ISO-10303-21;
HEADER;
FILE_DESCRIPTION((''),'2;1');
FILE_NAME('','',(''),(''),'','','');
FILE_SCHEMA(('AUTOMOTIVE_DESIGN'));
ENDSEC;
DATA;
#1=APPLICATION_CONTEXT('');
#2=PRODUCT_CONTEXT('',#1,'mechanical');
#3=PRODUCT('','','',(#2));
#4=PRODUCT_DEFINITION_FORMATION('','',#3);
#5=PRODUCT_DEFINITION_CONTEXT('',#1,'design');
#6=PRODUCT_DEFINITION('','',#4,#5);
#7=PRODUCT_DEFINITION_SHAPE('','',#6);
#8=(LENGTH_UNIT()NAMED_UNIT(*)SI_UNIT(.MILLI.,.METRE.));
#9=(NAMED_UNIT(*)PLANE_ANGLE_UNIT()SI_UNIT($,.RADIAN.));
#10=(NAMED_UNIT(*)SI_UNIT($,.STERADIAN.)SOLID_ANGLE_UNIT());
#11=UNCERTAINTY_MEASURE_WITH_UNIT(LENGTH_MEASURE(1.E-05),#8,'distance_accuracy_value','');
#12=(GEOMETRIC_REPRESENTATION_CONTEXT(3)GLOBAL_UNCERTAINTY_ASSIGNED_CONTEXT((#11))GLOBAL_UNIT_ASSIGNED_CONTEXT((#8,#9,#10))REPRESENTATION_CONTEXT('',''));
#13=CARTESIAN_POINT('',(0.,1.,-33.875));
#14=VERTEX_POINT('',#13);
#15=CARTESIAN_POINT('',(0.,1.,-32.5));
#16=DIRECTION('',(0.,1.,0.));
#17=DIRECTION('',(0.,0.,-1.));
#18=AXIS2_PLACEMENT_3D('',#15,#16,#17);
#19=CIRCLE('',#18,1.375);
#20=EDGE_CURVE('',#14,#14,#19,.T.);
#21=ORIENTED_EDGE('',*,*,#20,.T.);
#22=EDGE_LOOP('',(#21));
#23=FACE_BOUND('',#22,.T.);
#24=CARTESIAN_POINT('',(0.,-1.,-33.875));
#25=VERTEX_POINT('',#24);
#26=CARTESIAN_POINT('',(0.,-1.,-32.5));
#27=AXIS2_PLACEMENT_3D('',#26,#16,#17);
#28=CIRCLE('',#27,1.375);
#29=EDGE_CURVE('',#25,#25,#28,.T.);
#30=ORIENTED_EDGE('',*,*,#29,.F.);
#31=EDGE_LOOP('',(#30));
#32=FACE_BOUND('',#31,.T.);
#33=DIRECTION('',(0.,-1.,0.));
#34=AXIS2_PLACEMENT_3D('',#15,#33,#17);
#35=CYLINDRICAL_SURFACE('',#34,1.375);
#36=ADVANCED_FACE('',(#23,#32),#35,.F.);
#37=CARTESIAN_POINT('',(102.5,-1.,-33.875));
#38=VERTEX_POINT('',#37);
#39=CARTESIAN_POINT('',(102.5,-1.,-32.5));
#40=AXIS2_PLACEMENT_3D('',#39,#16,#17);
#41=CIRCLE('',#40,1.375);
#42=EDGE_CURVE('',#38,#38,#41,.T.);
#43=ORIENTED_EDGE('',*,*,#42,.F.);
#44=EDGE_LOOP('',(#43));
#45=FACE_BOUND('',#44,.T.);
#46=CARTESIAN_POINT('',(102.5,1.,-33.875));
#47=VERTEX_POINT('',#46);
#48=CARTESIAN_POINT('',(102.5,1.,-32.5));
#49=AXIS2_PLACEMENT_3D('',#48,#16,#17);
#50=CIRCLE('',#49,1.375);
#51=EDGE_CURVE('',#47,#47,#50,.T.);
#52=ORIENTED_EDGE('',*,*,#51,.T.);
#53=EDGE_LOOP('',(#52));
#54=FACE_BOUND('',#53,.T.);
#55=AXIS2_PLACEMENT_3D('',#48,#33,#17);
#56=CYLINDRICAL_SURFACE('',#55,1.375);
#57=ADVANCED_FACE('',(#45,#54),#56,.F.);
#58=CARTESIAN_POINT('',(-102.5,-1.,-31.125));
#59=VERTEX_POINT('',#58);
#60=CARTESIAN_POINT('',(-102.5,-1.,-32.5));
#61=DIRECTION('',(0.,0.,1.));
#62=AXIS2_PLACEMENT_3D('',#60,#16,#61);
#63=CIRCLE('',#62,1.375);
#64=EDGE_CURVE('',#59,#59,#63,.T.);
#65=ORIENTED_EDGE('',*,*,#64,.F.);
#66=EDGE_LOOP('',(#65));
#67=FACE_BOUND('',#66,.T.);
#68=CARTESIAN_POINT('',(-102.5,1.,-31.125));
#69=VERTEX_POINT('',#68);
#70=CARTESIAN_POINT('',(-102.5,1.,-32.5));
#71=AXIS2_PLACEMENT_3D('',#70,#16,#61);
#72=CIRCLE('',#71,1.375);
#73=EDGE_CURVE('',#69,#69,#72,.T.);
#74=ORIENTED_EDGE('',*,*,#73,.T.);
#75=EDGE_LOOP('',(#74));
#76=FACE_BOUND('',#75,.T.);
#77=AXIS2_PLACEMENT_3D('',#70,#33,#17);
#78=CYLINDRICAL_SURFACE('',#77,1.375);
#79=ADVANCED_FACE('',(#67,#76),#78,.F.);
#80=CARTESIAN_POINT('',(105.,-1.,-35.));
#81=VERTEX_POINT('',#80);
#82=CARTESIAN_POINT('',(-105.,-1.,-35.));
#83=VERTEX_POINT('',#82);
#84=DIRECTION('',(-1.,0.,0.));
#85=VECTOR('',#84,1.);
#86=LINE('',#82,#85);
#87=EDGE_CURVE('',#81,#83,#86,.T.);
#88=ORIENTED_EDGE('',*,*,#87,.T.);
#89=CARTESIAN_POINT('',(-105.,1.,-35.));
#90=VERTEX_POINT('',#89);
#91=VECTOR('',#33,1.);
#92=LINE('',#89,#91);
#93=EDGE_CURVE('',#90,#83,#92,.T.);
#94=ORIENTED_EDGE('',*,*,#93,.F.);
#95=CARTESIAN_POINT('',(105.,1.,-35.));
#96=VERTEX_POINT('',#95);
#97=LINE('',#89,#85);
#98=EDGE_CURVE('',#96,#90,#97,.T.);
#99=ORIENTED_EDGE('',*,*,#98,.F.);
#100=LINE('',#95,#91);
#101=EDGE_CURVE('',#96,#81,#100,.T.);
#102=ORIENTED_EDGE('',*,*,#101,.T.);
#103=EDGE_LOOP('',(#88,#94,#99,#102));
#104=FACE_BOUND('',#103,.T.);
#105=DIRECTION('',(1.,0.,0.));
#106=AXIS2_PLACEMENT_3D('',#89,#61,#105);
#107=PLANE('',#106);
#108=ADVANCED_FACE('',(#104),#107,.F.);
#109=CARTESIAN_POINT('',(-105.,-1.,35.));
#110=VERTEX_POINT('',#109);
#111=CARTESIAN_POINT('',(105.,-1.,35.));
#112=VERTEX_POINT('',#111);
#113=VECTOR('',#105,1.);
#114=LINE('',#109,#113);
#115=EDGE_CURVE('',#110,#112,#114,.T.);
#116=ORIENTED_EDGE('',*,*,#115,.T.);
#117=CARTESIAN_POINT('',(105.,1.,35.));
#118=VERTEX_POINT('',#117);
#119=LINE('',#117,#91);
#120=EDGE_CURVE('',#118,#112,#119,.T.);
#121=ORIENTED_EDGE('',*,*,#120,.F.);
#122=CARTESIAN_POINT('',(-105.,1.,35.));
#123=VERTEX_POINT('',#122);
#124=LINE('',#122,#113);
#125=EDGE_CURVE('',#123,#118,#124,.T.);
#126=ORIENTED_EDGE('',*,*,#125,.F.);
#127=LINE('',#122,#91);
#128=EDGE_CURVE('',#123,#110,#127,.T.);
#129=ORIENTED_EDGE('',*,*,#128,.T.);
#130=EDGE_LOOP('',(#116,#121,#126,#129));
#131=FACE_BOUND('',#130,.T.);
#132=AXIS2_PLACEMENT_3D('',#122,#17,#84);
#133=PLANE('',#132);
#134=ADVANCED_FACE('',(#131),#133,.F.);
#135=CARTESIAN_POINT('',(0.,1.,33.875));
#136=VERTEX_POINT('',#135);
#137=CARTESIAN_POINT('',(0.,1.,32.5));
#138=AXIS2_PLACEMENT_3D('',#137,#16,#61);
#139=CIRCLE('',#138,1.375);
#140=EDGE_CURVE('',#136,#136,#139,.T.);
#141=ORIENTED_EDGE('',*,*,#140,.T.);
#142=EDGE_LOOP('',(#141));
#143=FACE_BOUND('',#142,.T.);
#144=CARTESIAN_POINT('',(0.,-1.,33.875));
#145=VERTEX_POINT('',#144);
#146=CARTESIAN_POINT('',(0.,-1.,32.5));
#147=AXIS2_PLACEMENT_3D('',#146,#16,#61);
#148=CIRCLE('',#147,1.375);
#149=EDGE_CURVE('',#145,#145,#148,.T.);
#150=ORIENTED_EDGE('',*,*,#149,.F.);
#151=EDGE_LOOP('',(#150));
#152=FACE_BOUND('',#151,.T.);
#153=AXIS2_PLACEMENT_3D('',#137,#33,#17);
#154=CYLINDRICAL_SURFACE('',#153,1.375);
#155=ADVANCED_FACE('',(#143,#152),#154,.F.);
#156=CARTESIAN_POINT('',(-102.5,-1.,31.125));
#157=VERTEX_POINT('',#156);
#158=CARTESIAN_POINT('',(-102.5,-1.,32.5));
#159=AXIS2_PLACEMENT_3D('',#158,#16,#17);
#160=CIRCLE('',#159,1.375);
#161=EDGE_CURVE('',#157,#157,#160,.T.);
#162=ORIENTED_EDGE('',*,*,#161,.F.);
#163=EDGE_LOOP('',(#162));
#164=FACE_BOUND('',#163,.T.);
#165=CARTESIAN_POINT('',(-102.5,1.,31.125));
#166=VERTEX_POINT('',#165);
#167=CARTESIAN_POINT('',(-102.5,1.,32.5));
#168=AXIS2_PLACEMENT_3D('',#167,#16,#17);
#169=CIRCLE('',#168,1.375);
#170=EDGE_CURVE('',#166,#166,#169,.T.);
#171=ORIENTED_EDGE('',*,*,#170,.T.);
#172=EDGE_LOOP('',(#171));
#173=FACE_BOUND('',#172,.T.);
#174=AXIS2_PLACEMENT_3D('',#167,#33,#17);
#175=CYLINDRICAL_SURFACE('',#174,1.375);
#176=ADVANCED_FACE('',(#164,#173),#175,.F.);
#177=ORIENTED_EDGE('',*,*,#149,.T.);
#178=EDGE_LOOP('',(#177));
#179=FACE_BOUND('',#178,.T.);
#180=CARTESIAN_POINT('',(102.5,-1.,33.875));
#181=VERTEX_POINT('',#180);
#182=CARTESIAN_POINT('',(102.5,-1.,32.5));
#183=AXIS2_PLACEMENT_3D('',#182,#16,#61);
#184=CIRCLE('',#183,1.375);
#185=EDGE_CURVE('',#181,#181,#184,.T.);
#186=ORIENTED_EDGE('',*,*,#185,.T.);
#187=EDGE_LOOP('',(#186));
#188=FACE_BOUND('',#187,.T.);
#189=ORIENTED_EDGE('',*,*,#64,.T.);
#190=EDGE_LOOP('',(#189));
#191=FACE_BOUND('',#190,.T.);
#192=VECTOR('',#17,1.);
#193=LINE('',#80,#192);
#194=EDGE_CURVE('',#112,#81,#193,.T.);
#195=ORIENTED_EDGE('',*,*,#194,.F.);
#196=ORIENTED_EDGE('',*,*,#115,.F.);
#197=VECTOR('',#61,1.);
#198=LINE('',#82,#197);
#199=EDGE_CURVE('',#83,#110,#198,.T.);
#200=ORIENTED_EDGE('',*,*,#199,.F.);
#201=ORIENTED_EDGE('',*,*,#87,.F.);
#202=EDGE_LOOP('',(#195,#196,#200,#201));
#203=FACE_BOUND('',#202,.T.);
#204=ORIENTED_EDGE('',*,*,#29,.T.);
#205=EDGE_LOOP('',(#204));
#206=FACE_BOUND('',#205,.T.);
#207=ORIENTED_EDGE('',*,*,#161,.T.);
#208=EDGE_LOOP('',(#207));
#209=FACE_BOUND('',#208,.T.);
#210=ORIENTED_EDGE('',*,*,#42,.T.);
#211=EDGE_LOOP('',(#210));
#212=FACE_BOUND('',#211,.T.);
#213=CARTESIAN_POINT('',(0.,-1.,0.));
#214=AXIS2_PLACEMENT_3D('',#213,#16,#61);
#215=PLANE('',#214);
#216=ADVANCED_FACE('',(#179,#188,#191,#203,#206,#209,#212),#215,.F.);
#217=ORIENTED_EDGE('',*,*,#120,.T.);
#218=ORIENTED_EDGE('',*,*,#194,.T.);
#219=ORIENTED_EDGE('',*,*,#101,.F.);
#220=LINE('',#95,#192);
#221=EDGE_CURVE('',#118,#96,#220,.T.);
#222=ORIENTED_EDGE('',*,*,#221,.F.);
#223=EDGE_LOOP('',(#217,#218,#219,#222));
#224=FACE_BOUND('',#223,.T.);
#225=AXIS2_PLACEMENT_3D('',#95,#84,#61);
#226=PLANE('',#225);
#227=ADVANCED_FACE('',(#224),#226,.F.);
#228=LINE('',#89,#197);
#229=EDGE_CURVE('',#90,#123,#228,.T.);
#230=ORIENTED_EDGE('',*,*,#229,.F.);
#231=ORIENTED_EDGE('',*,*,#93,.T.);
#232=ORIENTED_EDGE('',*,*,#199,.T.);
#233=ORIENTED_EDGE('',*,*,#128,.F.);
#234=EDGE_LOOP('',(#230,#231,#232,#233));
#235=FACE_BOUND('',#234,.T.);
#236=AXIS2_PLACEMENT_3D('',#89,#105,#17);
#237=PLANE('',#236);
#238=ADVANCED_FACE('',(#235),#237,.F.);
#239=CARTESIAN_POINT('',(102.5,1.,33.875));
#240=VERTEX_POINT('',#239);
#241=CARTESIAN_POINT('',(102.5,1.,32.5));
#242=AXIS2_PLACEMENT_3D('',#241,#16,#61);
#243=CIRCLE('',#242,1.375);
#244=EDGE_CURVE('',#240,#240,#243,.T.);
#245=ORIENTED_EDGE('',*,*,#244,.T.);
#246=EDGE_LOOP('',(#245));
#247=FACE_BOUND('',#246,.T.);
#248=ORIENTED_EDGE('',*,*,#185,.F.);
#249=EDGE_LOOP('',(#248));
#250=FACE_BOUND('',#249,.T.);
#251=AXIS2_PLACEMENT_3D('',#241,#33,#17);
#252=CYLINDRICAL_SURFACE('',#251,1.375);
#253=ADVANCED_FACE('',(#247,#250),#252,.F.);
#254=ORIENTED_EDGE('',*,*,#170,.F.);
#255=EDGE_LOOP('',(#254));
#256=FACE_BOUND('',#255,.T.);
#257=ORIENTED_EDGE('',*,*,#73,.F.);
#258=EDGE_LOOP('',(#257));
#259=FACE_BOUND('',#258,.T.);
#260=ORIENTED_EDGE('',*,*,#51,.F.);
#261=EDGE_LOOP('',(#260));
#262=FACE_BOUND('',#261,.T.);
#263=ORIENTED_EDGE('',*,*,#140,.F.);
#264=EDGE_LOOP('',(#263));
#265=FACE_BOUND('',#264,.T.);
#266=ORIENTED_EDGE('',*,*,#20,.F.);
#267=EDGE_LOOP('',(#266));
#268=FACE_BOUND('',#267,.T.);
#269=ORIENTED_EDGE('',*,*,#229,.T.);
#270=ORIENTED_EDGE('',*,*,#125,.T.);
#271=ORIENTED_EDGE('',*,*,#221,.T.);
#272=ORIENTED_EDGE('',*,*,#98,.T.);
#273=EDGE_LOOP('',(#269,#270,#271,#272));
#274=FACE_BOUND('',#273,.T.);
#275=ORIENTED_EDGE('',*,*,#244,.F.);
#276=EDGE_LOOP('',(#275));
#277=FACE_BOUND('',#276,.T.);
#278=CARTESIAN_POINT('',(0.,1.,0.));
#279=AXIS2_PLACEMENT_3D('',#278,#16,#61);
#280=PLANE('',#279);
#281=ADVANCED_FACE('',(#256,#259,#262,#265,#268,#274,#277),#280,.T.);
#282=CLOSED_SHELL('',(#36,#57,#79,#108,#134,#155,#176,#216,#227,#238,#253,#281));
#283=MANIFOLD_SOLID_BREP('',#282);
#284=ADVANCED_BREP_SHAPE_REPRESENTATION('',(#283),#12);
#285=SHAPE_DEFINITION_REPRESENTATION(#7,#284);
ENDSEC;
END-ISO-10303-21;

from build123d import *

# Parameters (mm, degrees)
SKETCH1_W           = 210
SKETCH1_H           = 70
SKETCH1_R           = 1.375
BOSS_EXTRUDE1_DEPTH = 1


with BuildPart() as part:
    # Sketch1 → Boss-Extrude1 (new, symmetric)
    with BuildSketch(Plane(origin=(0, 0, 0), x_dir=(1, 0, 0), z_dir=(0, 1, 0))):
        Rectangle(SKETCH1_W, SKETCH1_H)
        with Locations(Location((-102.5, 32.5, 0), (0, 0, 270))):
            Circle(SKETCH1_R, mode=Mode.SUBTRACT)
        with Locations(Location((-102.5, -32.5, 0), (0, 0, 90))):
            Circle(SKETCH1_R, mode=Mode.SUBTRACT)
        with Locations(Location((0, -32.5, 0), (0, 0, 270))):
            Circle(SKETCH1_R, mode=Mode.SUBTRACT)
        with Locations(Location((0, 32.5, 0), (0, 0, 90))):
            Circle(SKETCH1_R, mode=Mode.SUBTRACT)
        with Locations(Location((102.5, -32.5, 0), (0, 0, 270))):
            Circle(SKETCH1_R, mode=Mode.SUBTRACT)
        with Locations(Location((102.5, 32.5, 0), (0, 0, 90))):
            Circle(SKETCH1_R, mode=Mode.SUBTRACT)
    extrude(amount=BOSS_EXTRUDE1_DEPTH, both=True)


solid = part.part
